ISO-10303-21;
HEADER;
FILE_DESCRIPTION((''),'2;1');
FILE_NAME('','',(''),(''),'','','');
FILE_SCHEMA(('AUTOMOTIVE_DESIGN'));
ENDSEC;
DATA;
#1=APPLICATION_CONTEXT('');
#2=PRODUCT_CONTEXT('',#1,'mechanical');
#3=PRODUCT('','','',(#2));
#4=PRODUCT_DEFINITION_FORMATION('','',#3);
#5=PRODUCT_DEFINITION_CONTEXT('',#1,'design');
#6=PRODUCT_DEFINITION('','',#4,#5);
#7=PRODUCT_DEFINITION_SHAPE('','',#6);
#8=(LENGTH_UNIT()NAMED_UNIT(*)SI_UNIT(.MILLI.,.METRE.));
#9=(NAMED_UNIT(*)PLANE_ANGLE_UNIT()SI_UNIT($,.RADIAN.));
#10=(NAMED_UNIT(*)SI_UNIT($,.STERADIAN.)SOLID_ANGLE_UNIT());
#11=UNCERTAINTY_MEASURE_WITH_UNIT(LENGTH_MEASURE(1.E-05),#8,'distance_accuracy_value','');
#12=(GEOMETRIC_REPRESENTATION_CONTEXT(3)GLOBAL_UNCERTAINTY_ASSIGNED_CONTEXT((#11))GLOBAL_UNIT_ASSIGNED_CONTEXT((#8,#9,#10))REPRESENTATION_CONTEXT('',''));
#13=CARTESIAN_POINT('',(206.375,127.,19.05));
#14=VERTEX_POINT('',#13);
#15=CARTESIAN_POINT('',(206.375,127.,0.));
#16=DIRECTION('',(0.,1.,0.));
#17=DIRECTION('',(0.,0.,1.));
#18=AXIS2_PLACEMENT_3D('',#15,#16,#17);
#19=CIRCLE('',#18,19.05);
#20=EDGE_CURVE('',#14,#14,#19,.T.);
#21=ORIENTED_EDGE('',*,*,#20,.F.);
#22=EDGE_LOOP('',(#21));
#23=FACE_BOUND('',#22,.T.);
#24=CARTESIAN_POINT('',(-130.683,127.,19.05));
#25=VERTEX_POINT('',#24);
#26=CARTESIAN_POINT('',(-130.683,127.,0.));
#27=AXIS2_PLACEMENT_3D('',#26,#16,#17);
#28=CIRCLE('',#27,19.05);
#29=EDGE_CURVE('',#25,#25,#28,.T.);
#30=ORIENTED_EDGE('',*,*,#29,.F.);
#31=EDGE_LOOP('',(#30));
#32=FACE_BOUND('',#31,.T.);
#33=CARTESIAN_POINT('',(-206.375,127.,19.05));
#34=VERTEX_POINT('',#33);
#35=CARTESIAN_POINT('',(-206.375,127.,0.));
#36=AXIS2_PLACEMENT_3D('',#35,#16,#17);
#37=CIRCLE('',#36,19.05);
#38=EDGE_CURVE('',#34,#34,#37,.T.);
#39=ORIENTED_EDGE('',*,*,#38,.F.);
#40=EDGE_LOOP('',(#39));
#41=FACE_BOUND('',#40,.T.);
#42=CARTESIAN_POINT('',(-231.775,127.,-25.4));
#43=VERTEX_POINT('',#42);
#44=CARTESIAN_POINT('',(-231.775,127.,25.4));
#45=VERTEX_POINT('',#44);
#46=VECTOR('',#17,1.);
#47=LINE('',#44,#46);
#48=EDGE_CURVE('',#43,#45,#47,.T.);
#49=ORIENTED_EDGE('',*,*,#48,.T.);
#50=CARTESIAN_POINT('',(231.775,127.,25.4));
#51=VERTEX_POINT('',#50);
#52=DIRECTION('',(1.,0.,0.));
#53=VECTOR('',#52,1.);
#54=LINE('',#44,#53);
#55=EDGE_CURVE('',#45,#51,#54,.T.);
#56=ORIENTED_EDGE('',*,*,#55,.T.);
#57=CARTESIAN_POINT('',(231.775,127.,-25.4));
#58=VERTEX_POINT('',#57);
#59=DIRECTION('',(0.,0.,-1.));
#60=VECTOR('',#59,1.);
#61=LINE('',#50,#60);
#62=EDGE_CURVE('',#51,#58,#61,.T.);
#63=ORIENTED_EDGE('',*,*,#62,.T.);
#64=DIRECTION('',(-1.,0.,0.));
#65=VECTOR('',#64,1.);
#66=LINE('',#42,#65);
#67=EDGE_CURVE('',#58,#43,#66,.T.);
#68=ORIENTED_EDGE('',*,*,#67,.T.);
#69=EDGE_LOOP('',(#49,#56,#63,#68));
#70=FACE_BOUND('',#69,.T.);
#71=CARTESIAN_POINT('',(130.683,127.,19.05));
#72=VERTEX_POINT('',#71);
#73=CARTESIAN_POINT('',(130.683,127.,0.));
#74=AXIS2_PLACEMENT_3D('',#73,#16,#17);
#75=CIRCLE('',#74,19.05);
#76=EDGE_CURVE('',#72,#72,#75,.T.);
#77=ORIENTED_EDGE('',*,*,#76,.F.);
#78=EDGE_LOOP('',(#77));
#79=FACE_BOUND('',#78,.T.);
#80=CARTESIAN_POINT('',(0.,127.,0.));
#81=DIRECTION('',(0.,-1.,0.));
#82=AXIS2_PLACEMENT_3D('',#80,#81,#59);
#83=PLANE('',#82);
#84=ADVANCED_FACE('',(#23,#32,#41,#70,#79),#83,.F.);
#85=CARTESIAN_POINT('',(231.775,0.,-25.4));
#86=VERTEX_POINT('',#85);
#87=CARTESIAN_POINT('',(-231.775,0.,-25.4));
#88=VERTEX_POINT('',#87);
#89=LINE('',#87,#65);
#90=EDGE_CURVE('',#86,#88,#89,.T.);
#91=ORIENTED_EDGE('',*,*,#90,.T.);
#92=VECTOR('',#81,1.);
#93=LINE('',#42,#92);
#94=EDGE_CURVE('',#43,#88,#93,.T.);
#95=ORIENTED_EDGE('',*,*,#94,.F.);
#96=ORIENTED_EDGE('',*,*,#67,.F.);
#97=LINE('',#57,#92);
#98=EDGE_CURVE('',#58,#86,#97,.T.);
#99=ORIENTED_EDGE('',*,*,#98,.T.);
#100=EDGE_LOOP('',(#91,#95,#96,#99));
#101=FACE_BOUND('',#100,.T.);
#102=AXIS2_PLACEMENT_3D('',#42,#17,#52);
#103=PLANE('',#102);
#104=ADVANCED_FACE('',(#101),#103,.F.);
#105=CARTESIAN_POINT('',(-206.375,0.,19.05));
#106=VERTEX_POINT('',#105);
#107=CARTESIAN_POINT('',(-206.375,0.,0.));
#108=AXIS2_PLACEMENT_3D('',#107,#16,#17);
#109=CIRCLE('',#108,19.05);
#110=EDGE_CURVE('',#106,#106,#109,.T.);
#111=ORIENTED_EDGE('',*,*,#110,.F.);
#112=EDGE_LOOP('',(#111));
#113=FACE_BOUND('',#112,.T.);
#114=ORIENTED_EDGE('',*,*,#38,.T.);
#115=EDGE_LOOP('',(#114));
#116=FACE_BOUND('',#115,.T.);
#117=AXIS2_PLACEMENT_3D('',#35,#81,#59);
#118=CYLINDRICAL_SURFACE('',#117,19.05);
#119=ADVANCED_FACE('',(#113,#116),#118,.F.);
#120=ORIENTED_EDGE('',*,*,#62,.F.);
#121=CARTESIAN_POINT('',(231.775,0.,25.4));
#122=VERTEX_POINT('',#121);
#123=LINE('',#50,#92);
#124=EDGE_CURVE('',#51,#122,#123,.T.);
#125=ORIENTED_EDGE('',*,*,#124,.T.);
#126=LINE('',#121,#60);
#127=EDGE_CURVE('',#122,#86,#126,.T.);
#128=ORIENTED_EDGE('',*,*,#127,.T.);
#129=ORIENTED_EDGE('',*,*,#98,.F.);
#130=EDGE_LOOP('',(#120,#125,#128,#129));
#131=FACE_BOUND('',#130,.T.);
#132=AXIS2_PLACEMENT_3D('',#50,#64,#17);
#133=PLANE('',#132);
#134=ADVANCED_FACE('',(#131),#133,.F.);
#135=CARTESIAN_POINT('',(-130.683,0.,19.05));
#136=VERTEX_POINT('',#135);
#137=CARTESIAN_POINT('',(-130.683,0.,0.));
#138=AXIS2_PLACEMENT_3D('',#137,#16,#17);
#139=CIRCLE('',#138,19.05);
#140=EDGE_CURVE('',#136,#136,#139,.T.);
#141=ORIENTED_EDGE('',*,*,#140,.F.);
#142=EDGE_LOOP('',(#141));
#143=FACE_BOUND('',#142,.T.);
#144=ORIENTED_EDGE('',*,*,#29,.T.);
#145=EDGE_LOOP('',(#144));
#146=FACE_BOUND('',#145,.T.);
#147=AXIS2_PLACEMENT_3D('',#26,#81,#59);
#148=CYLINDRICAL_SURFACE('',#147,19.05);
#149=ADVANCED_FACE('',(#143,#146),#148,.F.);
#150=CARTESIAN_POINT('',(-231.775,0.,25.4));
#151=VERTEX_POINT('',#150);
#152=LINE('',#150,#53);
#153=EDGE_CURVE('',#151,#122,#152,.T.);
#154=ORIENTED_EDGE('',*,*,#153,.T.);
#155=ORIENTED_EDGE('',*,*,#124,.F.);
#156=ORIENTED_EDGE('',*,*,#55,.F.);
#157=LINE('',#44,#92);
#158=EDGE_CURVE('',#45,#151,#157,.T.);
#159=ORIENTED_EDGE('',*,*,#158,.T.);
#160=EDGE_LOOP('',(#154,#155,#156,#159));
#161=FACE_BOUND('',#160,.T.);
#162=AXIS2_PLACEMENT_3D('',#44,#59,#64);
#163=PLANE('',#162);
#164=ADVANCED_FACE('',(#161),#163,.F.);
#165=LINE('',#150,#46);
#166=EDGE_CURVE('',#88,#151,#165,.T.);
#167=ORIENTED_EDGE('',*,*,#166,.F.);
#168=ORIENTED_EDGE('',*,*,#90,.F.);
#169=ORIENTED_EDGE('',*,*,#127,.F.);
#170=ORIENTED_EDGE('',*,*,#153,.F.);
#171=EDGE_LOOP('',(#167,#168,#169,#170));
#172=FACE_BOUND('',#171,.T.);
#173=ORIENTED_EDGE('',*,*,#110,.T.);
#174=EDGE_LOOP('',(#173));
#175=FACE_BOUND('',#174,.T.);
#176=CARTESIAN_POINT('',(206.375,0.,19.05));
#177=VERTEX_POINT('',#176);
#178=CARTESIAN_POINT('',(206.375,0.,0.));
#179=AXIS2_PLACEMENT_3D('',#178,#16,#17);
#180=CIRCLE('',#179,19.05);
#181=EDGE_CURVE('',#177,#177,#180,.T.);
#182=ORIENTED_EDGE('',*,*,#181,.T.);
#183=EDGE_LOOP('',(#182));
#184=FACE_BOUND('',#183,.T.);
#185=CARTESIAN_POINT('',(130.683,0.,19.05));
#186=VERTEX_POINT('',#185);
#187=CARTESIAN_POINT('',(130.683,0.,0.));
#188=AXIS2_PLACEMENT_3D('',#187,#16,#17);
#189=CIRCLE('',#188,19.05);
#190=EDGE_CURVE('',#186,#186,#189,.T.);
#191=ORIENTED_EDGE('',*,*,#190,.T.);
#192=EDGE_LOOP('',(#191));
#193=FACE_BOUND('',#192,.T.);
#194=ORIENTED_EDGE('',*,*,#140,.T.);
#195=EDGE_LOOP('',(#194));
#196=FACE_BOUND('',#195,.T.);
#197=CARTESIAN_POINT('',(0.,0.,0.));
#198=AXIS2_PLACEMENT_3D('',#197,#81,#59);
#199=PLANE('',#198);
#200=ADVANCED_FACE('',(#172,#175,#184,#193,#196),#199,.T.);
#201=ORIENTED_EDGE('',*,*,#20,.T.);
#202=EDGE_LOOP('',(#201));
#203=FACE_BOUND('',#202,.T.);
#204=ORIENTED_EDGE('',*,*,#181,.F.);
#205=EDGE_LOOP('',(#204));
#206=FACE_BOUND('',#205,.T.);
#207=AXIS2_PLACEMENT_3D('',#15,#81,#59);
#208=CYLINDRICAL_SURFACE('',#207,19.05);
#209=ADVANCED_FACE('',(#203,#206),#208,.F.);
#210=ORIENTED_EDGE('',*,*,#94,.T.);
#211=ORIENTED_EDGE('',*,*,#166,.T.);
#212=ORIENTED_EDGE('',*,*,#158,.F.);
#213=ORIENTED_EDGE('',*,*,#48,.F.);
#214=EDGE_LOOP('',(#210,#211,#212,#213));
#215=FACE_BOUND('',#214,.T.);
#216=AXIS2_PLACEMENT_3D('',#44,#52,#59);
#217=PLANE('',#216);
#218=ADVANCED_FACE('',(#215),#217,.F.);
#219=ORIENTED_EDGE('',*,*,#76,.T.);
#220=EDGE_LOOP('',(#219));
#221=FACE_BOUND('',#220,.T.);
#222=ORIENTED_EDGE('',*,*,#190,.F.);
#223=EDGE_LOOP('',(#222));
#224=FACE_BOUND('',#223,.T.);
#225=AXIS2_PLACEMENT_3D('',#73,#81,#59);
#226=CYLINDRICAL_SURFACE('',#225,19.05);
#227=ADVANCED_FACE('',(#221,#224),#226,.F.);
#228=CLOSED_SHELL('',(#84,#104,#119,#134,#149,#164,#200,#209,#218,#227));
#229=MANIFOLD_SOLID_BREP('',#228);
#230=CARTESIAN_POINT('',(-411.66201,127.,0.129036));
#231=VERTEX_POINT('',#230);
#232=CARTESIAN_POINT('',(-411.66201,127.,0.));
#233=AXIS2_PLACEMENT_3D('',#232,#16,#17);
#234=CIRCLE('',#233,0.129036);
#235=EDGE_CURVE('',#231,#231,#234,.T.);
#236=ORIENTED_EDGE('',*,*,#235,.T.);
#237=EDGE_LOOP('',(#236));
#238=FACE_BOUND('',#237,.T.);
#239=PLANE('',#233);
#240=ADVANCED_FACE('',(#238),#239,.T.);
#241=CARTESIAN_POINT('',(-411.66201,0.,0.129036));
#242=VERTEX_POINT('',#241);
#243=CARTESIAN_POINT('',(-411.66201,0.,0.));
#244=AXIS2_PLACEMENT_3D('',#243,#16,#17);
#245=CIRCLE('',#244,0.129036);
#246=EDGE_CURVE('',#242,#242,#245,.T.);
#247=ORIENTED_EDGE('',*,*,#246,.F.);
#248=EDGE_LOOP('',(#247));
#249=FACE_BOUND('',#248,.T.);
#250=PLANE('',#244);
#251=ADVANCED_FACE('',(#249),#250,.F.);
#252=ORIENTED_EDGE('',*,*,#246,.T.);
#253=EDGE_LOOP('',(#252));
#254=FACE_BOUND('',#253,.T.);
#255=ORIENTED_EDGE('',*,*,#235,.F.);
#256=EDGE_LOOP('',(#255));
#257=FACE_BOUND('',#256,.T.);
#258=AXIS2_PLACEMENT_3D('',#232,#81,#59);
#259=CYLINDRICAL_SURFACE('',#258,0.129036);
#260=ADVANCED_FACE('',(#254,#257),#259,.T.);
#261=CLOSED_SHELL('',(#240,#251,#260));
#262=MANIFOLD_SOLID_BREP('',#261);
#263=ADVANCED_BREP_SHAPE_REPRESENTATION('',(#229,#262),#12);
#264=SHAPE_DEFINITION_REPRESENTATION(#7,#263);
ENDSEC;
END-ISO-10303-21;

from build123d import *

# Parameters (mm, degrees)
SKETCH1_R             = 0.129035646
BOSS_EXTRUDE1_DEPTH   = 127
SKETCH1_W             = 463.55
SKETCH1_H             = 50.8
SKETCH1_R_2           = 19.05
BOSS_EXTRUDE1_2_DEPTH = 127


with BuildPart() as part:
    # Sketch1 → Boss-Extrude1 (new body)
    with BuildSketch(Plane(origin=(0, 0, 0), x_dir=(1, 0, 0), z_dir=(0, 1, 0))):
        with Locations((-411.662010213, 0)):
            Circle(SKETCH1_R)
    extrude(amount=BOSS_EXTRUDE1_DEPTH)


with BuildPart() as body_2:
    # Sketch1 → Boss-Extrude1 2 (new body)
    with BuildSketch(Plane(origin=(0, 0, 0), x_dir=(1, 0, 0), z_dir=(0, 1, 0))):
        Rectangle(SKETCH1_W, SKETCH1_H)
        with Locations((206.375, 0)):
            Circle(SKETCH1_R_2, mode=Mode.SUBTRACT)
        with Locations((-206.375, 0)):
            Circle(SKETCH1_R_2, mode=Mode.SUBTRACT)
        with Locations((130.683, 0)):
            Circle(SKETCH1_R_2, mode=Mode.SUBTRACT)
        with Locations((-130.683, 0)):
            Circle(SKETCH1_R_2, mode=Mode.SUBTRACT)
    extrude(amount=BOSS_EXTRUDE1_2_DEPTH)


solid = Compound([part.part, body_2.part])
